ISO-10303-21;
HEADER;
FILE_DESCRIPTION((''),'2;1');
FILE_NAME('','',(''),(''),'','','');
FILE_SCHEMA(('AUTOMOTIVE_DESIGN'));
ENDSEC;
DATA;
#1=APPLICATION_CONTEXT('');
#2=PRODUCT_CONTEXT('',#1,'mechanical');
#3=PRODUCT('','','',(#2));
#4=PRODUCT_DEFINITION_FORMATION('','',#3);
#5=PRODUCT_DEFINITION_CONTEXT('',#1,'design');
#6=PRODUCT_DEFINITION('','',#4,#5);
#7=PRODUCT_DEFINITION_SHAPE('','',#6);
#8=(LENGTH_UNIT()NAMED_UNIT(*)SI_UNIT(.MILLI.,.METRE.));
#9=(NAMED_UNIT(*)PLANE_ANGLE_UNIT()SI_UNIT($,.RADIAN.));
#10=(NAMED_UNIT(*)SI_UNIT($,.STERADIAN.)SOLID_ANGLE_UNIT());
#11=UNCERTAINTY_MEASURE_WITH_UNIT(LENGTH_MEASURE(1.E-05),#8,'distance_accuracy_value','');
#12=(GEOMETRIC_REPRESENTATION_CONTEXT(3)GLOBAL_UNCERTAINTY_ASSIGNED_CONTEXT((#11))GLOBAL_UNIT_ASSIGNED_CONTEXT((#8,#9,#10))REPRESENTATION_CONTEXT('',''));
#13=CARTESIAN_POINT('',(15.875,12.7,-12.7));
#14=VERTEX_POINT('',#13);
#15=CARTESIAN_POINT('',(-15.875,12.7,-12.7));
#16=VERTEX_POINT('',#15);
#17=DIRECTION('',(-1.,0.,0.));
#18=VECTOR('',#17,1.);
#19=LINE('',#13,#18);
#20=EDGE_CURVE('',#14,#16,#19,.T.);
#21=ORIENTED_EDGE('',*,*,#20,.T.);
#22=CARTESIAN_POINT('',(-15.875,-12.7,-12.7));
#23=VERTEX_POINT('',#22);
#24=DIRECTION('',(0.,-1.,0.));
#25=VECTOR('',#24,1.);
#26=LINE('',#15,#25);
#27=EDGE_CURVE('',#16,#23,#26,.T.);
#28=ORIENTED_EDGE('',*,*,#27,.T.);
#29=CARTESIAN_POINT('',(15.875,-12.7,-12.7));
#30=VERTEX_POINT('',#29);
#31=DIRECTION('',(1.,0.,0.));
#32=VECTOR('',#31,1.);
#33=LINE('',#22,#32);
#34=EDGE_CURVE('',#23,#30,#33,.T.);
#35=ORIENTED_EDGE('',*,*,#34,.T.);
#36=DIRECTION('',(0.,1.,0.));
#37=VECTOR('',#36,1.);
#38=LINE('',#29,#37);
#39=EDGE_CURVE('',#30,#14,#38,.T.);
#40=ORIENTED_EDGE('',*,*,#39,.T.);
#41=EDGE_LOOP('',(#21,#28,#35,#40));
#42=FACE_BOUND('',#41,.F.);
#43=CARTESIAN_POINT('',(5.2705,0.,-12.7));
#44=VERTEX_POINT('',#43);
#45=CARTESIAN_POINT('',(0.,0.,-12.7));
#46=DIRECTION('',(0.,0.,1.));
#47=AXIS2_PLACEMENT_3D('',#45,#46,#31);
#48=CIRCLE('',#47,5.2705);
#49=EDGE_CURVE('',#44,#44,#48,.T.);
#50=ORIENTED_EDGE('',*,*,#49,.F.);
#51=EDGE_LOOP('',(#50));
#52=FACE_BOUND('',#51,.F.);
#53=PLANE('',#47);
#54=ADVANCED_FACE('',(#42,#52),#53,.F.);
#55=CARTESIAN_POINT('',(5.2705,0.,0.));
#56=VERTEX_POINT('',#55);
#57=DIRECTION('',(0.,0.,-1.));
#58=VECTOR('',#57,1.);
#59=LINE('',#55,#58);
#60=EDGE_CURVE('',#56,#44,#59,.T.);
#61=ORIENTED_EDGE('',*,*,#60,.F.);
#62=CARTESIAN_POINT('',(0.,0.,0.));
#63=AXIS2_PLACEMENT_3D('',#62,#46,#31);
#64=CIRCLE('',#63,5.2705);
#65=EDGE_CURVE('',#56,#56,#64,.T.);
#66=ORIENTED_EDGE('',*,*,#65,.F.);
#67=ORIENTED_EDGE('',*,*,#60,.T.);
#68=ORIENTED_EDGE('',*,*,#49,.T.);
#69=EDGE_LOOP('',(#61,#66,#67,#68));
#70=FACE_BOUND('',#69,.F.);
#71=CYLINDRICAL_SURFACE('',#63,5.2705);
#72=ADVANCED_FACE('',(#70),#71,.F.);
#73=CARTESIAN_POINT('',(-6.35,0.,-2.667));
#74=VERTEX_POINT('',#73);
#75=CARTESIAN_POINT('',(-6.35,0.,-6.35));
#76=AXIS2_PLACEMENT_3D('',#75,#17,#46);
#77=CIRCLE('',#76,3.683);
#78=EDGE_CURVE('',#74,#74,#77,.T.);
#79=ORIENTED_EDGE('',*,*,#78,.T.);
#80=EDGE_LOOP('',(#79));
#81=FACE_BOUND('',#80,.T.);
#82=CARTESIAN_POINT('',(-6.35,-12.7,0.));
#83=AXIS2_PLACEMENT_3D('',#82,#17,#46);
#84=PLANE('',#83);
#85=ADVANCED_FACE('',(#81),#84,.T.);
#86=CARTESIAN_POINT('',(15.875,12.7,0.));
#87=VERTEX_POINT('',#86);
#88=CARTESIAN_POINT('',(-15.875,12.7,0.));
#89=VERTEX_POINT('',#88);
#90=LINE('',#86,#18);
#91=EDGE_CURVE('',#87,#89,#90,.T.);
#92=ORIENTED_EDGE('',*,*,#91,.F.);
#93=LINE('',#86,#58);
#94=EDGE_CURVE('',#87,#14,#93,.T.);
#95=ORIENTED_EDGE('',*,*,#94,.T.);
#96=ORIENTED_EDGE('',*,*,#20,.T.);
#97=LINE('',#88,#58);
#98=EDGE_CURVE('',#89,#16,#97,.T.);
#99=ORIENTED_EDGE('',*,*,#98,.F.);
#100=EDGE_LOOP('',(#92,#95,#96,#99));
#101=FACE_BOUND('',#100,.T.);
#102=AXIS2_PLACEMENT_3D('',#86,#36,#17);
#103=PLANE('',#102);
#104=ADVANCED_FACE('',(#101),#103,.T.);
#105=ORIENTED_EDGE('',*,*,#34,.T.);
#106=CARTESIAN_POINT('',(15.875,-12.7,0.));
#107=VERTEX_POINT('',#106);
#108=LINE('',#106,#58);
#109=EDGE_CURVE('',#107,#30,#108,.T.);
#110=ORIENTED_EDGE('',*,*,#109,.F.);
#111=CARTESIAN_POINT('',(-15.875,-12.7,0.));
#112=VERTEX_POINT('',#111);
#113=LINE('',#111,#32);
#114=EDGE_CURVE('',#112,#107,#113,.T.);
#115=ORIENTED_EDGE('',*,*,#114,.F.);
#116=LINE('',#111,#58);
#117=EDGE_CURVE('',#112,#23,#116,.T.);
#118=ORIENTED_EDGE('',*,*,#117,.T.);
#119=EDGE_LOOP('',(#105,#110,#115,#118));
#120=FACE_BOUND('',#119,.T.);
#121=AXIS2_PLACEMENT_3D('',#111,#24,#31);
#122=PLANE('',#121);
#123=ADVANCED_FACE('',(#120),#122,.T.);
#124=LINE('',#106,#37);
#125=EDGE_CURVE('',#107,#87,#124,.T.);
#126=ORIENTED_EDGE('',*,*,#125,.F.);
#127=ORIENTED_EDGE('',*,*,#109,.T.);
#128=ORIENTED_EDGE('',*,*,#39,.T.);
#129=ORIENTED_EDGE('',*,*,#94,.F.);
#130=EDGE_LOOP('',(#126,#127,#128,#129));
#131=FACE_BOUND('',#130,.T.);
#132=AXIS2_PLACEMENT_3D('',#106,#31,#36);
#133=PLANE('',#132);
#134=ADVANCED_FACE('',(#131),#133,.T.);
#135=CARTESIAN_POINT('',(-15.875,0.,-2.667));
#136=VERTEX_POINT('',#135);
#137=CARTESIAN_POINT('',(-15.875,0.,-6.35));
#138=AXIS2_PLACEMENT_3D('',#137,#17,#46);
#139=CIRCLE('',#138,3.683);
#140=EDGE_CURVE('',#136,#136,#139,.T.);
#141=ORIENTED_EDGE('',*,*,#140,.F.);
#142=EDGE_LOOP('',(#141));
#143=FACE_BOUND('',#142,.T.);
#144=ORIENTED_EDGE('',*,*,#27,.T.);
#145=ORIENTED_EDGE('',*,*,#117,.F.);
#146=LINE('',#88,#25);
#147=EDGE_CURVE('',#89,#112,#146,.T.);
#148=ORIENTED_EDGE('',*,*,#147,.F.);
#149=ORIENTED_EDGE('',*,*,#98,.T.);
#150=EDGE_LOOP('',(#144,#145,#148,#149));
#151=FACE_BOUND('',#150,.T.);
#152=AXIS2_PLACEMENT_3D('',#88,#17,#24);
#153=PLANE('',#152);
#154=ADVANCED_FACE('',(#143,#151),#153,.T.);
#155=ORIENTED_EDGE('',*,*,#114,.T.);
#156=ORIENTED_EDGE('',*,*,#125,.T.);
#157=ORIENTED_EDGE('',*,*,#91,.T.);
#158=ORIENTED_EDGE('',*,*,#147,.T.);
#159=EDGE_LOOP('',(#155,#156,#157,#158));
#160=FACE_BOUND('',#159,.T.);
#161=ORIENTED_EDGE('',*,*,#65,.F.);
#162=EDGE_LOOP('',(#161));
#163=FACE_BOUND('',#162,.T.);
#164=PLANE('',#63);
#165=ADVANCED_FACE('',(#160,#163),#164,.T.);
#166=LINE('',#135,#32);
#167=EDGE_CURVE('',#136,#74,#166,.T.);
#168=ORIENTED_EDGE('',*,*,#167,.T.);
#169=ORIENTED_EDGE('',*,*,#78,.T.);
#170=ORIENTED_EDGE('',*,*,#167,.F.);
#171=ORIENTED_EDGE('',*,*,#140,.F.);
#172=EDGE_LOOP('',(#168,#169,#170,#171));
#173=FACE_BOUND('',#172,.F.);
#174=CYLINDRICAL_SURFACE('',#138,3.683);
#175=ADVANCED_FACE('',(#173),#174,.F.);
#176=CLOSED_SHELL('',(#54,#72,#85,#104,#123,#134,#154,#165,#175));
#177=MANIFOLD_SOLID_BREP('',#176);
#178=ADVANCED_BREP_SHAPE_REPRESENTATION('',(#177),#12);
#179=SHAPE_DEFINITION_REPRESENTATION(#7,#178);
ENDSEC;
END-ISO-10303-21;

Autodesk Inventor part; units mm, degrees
ref_plane "YZ Plane" through (0, 0, 0) normal (1, 0, 0) x (0, 1, 0)
ref_plane "XZ Plane" through (0, 0, 0) normal (0, 1, 0) x (-1, 0, 0)
ref_plane "XY Plane" through (0, 0, 0) normal (0, 0, 1) x (1, 0, 0)
sketch "Sketch1" plane through (0, 0, 0) normal (0, 0, 1) x (1, 0, 0)
  line L0 (-15.875, -12.7) -> (15.875, -12.7)
  line L1 (15.875, -12.7) -> (15.875, 12.7)
  line L2 (15.875, 12.7) -> (-15.875, 12.7)
  line L3 (-15.875, 12.7) -> (-15.875, -12.7)
  line L4 (-15.875, -12.7) -> (15.875, 12.7) construction
  line L5 (15.875, -12.7) -> (-15.875, 12.7) construction
  point P0 (0, 0)
  dimension "d0" = 31.75
  dimension "d1" = 25.4
extrude "Extrusion1" add sketch "Sketch1" against normal blind 12.7
sketch "Sketch2" plane through (-15.875, -12.7, 0) normal (-1, 0, 0) x (0, 0, 1)
  line L0 (-12.7, 0) -> (-12.7, 25.4) construction
  line L1 (0, 25.4) -> (0, 0) construction
  line L2 (-12.7, 25.4) -> (0, 0) construction
  line L3 (0, 25.4) -> (-12.7, 0) construction
  circle A0 centre (-6.35, 12.7) radius 3.683
  point P0 (0, 12.7)
  dimension "d4" = 7.366
extrude "Extrusion2" cut sketch "Sketch2" against normal blind 9.525
sketch "Sketch3" plane through (0, 0, 0) normal (0, 0, 1) x (1, 0, 0)
  circle A0 centre (0, 0) radius 5.2705
  dimension "d7" = 10.541
extrude "Extrusion3" cut sketch "Sketch3" against normal through all
properties part number "tieRod"
